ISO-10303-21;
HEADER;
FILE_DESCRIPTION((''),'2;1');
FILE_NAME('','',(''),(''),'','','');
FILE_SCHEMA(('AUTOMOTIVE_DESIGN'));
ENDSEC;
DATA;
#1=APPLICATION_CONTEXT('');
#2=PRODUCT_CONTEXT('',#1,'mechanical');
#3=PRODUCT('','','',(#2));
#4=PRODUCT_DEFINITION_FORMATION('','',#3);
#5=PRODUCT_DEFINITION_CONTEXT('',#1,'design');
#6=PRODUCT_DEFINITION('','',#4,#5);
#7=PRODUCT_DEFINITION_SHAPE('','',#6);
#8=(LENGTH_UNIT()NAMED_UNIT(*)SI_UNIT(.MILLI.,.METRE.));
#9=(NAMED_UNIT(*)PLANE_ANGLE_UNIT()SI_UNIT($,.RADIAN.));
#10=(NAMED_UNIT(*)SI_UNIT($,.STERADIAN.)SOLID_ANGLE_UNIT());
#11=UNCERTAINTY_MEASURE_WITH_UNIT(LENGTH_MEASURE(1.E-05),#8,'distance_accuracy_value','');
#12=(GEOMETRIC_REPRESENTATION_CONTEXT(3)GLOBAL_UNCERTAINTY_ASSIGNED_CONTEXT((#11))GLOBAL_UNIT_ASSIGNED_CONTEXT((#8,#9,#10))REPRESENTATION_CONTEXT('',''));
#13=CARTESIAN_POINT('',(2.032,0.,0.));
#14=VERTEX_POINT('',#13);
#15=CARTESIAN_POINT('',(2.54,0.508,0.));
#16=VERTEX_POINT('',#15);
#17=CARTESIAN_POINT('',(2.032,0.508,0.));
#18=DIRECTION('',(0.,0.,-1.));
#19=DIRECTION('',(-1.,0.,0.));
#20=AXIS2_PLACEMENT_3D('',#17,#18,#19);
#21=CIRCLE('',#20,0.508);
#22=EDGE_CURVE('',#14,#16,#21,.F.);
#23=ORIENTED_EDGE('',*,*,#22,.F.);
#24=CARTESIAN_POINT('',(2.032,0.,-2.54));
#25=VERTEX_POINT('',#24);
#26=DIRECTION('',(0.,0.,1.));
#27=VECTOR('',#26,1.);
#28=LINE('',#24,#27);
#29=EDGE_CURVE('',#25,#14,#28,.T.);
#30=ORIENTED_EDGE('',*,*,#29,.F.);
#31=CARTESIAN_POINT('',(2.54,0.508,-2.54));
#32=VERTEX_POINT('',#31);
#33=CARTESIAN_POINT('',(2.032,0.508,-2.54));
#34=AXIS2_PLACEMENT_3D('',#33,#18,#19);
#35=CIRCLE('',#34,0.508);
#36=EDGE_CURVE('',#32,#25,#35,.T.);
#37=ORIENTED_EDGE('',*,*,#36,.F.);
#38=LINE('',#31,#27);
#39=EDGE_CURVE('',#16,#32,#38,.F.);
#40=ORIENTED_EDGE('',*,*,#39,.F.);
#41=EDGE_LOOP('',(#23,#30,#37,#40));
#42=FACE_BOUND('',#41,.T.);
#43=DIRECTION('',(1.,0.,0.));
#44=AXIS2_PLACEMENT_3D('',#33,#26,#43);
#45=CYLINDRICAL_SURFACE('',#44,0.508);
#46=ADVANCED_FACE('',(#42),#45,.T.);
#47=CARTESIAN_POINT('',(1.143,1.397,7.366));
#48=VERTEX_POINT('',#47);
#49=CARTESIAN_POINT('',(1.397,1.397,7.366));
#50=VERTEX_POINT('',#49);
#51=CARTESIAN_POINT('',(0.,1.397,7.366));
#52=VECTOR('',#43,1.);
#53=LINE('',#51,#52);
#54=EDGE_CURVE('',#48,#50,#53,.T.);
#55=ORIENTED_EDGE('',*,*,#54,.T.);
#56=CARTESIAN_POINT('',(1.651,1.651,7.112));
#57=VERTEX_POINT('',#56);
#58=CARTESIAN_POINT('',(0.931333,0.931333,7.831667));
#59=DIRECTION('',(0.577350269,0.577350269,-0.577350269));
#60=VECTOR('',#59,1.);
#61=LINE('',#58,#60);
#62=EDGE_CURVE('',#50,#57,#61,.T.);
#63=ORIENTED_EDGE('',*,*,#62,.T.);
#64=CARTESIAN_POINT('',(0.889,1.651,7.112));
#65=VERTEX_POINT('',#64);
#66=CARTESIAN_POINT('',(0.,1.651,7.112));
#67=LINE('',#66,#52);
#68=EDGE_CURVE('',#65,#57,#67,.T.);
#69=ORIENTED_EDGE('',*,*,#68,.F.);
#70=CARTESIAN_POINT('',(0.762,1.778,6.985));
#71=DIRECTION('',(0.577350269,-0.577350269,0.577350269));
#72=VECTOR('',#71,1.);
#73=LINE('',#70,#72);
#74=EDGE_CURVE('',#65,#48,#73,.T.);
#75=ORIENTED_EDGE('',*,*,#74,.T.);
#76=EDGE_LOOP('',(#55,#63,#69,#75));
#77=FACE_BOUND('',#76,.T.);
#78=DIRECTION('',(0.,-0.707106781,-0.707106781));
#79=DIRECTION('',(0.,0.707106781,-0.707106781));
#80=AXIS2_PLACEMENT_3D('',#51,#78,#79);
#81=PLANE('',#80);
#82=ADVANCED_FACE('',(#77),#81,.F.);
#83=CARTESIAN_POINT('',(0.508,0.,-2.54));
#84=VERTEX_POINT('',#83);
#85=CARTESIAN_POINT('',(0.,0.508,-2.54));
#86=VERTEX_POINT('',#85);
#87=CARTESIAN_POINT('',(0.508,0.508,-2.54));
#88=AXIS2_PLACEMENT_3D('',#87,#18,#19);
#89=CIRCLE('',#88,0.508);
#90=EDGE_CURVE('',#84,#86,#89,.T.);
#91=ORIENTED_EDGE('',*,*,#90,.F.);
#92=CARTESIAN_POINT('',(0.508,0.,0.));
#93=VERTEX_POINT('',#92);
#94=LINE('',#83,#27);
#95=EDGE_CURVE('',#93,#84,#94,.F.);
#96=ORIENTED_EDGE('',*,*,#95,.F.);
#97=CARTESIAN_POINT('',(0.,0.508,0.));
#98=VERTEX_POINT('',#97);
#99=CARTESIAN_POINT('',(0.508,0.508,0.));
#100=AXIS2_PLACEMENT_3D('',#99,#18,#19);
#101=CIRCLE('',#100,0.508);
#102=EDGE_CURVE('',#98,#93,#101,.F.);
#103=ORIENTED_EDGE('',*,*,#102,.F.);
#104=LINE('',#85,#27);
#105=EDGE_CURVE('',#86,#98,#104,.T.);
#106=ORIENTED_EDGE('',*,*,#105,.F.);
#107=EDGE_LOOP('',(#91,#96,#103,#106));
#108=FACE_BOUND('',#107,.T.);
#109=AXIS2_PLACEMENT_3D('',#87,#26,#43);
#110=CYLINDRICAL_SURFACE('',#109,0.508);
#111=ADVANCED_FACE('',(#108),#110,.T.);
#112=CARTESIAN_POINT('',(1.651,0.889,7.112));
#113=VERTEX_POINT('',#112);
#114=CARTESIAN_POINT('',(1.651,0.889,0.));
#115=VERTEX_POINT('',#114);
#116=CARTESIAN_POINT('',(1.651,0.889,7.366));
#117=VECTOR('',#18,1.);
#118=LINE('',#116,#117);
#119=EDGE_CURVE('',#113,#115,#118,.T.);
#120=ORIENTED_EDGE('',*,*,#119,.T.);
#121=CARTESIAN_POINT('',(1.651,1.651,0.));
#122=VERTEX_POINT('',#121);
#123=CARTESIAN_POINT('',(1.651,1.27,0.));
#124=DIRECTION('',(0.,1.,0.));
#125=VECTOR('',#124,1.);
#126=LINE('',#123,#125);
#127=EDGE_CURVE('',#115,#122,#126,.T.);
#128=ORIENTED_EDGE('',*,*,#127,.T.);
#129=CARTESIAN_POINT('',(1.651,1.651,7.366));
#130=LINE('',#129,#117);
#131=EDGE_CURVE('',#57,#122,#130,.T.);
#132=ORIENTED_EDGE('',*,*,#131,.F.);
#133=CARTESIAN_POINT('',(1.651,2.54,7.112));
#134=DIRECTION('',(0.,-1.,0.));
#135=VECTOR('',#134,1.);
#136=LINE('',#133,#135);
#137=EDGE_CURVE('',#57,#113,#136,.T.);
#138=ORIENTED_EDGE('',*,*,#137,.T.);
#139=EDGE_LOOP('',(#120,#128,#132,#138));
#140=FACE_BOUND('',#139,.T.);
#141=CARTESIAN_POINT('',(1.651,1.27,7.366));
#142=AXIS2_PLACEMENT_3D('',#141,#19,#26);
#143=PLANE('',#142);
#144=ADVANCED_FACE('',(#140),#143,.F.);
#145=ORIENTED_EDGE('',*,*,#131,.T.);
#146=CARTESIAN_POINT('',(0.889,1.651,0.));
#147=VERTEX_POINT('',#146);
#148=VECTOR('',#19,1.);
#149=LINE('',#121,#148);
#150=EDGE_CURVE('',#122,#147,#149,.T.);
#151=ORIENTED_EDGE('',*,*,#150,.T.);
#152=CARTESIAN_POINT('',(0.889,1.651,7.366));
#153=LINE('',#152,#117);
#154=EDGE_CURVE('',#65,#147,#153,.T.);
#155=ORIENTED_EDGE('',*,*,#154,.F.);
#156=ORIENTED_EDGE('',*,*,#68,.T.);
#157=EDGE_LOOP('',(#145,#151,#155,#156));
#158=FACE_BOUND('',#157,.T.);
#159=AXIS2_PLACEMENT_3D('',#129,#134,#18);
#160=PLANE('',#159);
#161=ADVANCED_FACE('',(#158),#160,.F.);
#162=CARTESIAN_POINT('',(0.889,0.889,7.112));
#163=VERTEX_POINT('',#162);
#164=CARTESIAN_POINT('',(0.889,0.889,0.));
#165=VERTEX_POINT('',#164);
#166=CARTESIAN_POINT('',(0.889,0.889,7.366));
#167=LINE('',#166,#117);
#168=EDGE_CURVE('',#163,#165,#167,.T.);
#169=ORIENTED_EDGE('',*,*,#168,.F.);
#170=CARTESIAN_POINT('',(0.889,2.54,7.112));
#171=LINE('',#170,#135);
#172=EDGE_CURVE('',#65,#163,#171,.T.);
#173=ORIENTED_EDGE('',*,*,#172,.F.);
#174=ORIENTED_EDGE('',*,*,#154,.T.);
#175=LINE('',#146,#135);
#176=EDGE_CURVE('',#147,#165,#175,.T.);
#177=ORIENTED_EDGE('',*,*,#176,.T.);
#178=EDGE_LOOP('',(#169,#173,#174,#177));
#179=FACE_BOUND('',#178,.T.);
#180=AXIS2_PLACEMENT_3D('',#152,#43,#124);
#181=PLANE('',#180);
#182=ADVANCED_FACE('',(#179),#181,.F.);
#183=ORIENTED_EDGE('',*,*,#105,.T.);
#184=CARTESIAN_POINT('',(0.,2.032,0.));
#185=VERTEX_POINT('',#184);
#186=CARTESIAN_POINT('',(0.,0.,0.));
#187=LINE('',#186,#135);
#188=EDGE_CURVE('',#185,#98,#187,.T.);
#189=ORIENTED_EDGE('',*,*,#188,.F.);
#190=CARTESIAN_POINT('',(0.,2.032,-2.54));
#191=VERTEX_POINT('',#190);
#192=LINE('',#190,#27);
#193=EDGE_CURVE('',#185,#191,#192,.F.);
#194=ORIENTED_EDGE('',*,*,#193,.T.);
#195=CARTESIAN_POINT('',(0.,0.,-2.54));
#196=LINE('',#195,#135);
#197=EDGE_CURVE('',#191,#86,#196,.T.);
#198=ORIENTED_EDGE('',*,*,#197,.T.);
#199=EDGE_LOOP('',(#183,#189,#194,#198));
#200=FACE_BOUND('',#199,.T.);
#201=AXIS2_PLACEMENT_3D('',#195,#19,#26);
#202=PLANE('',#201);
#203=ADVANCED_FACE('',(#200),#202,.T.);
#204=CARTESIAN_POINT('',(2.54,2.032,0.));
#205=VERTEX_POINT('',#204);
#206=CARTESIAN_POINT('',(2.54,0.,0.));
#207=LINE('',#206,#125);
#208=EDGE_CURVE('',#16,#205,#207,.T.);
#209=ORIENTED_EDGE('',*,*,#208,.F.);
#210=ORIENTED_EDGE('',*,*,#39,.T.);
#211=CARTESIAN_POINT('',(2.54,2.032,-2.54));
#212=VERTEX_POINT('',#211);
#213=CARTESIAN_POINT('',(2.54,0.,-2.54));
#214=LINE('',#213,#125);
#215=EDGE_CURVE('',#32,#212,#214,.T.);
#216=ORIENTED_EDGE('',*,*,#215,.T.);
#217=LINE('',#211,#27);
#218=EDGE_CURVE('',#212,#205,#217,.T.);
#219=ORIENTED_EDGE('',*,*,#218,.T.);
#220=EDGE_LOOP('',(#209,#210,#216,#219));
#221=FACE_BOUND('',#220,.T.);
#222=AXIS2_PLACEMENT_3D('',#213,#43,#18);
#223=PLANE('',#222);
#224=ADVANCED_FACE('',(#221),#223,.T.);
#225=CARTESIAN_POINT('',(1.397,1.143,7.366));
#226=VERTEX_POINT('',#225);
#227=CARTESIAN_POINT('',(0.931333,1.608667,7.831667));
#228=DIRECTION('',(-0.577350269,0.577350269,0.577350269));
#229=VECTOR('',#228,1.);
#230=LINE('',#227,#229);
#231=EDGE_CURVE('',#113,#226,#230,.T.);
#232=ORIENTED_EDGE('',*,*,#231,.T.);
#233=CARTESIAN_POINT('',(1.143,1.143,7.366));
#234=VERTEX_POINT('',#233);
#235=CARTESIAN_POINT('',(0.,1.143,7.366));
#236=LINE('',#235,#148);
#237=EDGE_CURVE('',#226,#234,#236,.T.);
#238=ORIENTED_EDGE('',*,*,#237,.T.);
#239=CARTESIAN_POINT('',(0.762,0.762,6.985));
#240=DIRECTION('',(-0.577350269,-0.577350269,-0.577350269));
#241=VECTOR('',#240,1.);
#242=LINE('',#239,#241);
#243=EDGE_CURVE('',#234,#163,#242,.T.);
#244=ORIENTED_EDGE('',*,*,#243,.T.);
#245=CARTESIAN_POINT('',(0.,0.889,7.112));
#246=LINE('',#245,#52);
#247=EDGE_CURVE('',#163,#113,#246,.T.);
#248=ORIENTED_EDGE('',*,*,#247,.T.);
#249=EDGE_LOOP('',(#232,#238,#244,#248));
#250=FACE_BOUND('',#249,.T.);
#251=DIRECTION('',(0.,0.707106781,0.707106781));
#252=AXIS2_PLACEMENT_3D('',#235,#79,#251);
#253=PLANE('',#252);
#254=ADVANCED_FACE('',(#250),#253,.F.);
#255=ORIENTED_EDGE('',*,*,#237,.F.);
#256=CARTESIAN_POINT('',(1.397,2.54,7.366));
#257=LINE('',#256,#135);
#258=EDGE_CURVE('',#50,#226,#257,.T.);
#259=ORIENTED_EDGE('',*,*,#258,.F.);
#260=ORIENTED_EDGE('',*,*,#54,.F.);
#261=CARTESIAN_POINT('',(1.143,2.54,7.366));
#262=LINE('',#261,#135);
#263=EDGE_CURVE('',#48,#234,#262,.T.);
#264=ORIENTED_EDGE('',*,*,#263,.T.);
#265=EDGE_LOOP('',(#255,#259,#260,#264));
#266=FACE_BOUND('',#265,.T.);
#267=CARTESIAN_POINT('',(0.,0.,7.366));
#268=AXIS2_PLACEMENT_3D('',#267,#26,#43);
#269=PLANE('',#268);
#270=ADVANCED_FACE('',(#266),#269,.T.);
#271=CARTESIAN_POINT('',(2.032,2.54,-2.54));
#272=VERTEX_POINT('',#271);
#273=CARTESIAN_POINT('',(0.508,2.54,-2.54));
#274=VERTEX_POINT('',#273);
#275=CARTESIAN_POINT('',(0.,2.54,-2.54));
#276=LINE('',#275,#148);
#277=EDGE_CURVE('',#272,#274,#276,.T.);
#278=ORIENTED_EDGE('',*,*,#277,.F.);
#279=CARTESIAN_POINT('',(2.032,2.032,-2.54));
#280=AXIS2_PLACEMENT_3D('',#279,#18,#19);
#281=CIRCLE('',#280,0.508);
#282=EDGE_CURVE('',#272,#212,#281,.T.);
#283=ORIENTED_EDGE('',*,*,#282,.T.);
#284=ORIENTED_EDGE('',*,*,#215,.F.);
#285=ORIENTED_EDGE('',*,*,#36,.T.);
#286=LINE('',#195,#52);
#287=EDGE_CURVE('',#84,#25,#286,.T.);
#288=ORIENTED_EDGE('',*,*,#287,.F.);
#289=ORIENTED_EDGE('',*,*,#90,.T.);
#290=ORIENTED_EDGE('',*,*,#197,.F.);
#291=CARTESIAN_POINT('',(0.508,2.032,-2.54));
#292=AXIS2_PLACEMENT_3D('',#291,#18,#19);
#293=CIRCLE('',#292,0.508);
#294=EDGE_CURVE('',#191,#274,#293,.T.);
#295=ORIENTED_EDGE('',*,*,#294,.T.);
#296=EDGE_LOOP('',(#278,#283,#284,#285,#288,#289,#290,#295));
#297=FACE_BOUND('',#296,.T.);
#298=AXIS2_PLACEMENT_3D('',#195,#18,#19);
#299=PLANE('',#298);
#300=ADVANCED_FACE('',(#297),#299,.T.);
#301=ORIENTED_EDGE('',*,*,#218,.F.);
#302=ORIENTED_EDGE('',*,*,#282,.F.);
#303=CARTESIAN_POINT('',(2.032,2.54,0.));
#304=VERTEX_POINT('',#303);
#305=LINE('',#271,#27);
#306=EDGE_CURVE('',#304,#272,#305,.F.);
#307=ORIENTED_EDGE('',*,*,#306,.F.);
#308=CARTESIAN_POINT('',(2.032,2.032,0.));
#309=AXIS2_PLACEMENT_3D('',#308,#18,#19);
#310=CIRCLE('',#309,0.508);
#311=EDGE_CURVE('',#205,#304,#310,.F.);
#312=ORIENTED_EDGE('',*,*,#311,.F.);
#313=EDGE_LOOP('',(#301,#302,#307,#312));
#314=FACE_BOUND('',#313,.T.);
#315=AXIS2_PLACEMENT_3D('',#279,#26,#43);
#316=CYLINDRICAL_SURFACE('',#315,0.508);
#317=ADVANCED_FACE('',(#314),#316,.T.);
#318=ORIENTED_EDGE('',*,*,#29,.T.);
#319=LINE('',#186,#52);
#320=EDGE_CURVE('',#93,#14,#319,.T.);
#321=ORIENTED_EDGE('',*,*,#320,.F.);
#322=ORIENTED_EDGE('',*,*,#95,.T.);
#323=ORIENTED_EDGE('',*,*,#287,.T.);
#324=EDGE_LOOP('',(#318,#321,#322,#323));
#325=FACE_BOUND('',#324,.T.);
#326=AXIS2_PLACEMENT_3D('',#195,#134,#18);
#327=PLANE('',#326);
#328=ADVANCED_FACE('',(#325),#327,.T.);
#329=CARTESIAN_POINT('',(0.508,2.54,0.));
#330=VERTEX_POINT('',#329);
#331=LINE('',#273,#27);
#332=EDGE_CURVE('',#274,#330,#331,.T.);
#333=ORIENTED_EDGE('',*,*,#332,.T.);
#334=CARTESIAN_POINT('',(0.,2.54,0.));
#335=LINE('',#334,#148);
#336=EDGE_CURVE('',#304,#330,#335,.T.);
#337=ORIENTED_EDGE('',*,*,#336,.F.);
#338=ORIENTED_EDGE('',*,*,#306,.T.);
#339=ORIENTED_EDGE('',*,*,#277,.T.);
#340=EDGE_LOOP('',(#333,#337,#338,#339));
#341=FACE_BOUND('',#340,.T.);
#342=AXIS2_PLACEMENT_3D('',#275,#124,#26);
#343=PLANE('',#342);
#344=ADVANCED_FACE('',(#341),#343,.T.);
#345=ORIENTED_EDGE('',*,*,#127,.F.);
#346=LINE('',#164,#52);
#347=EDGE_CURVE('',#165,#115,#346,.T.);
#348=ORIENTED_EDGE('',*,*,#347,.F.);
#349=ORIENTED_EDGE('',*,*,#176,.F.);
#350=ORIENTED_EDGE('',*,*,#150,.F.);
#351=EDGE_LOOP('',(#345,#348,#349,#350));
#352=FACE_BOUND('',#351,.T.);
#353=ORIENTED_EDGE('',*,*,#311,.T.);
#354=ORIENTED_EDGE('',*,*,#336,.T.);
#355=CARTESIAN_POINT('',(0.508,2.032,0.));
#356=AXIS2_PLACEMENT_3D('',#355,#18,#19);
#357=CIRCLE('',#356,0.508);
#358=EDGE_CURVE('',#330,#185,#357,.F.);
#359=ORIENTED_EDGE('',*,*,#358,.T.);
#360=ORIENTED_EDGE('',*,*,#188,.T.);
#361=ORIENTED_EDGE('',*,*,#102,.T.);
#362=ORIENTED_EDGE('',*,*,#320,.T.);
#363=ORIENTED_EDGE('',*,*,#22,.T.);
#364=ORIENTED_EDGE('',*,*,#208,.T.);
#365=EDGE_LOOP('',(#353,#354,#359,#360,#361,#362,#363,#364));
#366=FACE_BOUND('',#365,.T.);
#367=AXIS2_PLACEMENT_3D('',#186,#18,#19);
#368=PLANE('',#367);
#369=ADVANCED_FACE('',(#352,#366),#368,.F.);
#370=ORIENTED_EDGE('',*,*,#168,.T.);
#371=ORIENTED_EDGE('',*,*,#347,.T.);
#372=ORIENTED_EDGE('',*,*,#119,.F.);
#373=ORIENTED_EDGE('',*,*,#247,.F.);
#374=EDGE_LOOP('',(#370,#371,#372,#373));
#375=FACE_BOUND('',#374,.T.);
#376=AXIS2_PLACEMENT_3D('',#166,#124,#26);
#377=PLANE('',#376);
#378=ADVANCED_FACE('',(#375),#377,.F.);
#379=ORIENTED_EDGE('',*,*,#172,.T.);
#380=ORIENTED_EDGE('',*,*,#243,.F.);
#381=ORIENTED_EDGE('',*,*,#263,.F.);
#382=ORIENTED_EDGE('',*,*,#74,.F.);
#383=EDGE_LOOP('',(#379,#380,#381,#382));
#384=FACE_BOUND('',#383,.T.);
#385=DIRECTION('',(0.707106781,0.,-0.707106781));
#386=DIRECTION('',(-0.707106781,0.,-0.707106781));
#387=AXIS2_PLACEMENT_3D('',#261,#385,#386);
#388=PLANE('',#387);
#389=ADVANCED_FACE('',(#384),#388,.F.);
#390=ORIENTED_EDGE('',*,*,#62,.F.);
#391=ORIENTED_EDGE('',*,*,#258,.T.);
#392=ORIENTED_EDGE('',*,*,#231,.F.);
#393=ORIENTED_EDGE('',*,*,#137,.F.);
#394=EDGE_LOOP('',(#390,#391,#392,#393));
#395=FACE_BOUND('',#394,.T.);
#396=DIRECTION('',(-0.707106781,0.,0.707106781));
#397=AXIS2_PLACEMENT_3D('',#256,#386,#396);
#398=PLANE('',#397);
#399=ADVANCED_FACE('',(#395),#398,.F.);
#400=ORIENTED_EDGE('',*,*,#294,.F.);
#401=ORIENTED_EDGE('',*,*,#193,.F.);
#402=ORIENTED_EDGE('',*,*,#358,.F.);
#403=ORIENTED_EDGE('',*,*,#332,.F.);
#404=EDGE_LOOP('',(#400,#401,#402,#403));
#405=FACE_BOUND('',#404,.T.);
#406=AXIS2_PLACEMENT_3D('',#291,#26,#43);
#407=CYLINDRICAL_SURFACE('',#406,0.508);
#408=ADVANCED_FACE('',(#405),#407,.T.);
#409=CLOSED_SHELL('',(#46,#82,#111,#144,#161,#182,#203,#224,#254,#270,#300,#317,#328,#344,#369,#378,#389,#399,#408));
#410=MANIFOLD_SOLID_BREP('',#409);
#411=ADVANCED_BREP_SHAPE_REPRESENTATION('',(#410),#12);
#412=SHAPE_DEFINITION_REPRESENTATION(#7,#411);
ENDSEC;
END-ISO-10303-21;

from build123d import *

# Parameters (mm, degrees)
SKETCH_2_W          = 2.54
SKETCH_2_H          = 2.54
EXTRUDE_1_DEPTH     = 2.54
FILLET_1_R          = 0.508
EXTRUDE_2_DEPTH     = 7.366
CUT_EXTRUDE_1_DEPTH = 8.96463163
CUT_EXTRUDE_3_DEPTH = 8.96463163


with BuildPart() as part:
    # 草图2 → 凸台-拉伸1 (new body)
    with BuildSketch(Plane.XY):
        with Locations((1.27, 1.27)):
            Rectangle(SKETCH_2_W, SKETCH_2_H)
    extrude(amount=-EXTRUDE_1_DEPTH)

    # 圆角1
    fillet_1_edges = [part.edges().sort_by_distance(p)[0] for p in [
        (0, 2.54, -1.27),
        (2.54, 2.54, -1.27),
        (2.54, 0, -1.27),
        (0, 0, -1.27),
    ]]
    fillet(fillet_1_edges, radius=FILLET_1_R)

    # 草图3 → 凸台-拉伸2 (add)
    with BuildSketch(Plane.XY):
        Polygon((1.651, 1.27), (1.651, 1.651), (0.889, 1.651), (0.889, 0.889), (1.651, 0.889), align=None)
    extrude(amount=EXTRUDE_2_DEPTH)

    # 草图4 → 切除-拉伸1 (cut, through all)
    with BuildSketch(Plane(origin=(1.651, 0, 0), x_dir=(0, 0, -1), z_dir=(1, 0, 0))):
        Polygon((-7.366, 0.889), (-7.366, 1.143), (-7.112, 0.889), align=None)
        Polygon((-7.366, 1.397), (-7.112, 1.651), (-7.366, 1.651), align=None)
    extrude(amount=-CUT_EXTRUDE_1_DEPTH, mode=Mode.SUBTRACT)

    # 草图6 → 切除-拉伸3 (cut, through all)
    with BuildSketch(Plane(origin=(0, 0.889, 0), x_dir=(-1, 0, 0), z_dir=(0, -1, 0))):
        Polygon((-1.143, -7.366), (-0.889, -7.112), (-0.889, -7.366), align=None)
        Polygon((-1.651, -7.366), (-1.397, -7.366), (-1.651, -7.112), align=None)
    extrude(amount=-CUT_EXTRUDE_3_DEPTH, mode=Mode.SUBTRACT)


solid = part.part
